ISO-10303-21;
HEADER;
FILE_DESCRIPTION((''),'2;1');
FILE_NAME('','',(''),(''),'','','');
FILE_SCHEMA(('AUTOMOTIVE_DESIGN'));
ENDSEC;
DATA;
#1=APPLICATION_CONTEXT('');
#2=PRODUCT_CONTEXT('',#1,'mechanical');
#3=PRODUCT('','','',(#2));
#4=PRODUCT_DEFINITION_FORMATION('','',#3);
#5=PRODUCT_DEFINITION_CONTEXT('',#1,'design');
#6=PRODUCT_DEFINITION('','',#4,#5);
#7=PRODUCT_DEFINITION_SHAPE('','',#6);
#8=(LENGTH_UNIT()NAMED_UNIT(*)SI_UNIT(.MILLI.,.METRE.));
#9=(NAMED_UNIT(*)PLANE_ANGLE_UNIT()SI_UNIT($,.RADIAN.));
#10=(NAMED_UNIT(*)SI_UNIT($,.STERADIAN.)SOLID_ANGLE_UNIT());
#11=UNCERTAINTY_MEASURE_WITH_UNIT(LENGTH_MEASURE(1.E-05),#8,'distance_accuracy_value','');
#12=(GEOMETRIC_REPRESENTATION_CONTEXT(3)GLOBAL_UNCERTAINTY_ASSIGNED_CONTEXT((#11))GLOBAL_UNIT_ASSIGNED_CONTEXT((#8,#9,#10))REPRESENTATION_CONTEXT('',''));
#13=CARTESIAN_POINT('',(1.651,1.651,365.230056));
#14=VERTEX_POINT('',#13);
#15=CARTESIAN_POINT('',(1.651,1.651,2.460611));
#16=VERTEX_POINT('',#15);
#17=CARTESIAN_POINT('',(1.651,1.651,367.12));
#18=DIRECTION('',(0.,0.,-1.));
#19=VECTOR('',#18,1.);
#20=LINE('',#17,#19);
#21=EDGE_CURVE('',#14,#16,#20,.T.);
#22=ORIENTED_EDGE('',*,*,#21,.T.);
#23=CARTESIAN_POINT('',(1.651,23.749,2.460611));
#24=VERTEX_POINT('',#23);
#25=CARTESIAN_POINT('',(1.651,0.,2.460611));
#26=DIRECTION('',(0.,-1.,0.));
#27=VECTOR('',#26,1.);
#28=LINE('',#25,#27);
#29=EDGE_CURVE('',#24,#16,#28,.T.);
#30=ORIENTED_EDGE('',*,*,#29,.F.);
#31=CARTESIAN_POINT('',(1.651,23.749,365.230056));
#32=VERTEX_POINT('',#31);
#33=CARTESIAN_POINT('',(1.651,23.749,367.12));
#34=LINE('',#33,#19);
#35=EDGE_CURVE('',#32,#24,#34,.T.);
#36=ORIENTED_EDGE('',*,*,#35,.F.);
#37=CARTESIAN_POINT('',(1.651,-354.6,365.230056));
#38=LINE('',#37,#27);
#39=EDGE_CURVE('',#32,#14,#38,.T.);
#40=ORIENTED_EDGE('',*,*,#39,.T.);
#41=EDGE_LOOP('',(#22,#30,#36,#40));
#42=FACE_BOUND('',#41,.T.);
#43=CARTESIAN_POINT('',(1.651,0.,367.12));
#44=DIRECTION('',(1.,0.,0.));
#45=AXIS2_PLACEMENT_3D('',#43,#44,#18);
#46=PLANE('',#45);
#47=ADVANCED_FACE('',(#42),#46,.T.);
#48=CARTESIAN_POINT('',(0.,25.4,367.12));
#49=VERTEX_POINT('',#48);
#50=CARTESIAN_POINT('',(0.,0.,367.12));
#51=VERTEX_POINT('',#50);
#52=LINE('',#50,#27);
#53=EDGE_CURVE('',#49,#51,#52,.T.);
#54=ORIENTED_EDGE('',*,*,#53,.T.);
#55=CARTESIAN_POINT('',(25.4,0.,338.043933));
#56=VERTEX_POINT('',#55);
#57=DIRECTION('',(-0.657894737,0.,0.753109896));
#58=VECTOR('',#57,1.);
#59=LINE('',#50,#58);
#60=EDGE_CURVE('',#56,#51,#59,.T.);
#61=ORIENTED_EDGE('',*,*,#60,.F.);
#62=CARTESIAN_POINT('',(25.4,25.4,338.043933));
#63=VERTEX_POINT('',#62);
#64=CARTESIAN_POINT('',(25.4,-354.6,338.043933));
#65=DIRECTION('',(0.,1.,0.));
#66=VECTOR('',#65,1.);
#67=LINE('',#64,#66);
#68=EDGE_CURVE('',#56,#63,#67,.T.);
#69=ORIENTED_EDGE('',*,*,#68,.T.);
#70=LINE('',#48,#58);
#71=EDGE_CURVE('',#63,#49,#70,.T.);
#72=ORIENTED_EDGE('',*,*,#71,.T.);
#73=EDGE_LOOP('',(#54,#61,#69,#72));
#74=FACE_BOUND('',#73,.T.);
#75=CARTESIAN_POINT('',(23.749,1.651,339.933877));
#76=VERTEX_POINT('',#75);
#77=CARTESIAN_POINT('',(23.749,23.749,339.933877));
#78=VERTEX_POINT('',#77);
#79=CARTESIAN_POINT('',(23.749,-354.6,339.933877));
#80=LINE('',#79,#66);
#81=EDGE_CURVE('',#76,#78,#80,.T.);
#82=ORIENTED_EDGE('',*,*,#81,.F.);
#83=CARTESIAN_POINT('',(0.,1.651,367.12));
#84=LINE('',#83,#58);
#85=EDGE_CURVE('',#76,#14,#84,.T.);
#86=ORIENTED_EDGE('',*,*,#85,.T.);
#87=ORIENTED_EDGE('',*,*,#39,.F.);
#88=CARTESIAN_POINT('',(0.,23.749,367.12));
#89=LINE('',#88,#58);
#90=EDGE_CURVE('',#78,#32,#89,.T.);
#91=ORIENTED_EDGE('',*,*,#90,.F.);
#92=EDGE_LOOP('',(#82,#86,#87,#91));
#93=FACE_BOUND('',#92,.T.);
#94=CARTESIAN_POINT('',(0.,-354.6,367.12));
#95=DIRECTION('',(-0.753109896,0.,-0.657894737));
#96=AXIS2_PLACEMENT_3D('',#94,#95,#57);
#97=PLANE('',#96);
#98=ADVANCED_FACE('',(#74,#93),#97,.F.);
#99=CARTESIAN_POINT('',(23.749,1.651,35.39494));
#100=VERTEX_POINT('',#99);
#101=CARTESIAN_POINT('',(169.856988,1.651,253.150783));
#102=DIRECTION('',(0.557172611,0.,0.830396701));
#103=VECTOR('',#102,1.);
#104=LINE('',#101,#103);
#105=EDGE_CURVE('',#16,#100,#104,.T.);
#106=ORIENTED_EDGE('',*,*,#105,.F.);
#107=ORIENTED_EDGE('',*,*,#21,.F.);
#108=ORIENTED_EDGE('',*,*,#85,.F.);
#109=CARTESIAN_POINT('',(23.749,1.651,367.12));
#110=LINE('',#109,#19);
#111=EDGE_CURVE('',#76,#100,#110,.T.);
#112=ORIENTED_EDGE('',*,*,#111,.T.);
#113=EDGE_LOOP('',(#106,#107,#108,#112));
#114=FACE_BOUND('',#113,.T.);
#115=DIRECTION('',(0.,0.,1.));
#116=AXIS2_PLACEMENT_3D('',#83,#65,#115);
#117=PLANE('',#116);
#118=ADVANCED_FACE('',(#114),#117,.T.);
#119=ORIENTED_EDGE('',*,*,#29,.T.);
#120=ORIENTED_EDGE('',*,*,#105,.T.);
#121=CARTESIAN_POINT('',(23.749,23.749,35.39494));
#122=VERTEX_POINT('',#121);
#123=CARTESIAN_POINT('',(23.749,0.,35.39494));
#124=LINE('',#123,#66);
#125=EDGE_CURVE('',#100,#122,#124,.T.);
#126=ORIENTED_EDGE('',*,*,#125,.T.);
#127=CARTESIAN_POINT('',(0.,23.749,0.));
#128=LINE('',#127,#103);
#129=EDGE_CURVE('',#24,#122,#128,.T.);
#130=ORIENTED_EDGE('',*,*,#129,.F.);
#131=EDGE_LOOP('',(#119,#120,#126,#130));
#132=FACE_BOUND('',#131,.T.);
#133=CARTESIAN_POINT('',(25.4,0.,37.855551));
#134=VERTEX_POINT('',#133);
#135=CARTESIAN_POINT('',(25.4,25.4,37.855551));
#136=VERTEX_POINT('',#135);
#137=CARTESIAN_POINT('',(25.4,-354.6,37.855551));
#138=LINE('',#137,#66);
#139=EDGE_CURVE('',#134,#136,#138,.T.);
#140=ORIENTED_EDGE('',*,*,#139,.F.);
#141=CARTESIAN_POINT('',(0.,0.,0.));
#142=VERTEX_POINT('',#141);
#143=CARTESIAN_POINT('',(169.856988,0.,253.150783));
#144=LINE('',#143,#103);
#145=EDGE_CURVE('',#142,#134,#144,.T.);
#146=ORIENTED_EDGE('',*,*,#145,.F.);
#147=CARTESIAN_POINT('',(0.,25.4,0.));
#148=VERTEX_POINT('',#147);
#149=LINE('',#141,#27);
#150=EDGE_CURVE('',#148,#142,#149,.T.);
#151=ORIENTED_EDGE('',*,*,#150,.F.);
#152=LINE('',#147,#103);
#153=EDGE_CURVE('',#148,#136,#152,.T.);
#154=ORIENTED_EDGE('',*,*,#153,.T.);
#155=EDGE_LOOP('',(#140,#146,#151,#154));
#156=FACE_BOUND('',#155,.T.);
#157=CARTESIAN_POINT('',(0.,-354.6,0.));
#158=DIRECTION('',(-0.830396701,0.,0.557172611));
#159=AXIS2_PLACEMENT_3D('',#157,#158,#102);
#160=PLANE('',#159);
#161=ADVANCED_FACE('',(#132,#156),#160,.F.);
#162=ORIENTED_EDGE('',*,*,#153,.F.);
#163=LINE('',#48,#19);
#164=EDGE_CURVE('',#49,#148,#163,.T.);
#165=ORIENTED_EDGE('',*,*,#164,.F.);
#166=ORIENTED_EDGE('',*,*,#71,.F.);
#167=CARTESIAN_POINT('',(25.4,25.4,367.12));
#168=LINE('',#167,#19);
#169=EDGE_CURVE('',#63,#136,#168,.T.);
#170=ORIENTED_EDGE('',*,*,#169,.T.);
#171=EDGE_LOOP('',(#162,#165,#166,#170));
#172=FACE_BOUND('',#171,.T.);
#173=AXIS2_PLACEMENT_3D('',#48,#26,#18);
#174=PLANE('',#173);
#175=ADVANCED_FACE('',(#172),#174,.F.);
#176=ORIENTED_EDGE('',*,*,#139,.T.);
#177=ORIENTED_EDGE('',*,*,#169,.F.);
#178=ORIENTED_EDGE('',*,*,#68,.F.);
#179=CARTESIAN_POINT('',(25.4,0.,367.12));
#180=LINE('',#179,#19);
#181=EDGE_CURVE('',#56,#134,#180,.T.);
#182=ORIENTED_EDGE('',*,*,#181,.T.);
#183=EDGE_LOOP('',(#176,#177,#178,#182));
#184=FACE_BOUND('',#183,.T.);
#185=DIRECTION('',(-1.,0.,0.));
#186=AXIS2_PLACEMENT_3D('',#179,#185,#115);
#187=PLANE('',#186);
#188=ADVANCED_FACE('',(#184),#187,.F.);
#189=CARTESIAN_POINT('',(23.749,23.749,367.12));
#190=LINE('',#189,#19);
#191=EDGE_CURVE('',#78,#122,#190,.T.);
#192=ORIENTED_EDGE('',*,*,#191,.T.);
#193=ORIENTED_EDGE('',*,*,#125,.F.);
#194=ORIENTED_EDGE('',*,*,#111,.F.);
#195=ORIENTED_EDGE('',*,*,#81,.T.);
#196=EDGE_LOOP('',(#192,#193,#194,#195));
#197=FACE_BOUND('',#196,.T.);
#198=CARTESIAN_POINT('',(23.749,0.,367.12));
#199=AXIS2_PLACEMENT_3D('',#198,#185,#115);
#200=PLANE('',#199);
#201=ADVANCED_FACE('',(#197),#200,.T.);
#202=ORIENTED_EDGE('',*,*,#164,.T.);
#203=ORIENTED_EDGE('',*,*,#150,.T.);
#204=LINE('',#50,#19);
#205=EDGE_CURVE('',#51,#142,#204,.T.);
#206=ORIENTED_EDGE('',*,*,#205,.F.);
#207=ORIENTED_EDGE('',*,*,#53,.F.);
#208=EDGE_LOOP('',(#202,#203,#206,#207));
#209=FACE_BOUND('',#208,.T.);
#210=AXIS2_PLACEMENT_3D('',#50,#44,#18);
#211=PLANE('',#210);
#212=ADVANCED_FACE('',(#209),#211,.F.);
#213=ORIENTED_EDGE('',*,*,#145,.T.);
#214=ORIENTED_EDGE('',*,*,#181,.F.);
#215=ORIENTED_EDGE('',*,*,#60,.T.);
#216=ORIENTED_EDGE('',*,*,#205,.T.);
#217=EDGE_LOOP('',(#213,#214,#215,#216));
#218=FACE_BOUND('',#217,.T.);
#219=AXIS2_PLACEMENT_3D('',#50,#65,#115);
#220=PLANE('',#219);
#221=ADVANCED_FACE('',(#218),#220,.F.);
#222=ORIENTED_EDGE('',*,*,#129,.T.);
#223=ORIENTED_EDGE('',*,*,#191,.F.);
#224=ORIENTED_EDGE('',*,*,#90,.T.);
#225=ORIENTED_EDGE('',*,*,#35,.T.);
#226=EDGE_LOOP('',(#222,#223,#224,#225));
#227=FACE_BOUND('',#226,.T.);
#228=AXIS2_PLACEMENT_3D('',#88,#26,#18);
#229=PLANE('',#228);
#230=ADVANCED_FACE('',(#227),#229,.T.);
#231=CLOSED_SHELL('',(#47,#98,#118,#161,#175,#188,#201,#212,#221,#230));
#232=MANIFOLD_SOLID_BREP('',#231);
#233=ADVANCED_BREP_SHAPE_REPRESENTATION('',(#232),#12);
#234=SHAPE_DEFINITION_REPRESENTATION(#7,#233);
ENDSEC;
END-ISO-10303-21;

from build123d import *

# Parameters (mm, degrees)
SKETCH1_W           = 25.4
SKETCH1_H           = 25.4
BOSS_EXTRUDE1_DEPTH = 367.12
CUT_EXTRUDE1_DEPTH  = 380
CUT_EXTRUDE2_DEPTH  = 380
SHELL1_T            = -1.651


with BuildPart() as part:
    # Sketch1 → Boss-Extrude1 (new body)
    with BuildSketch(Plane.XY):
        with Locations((12.7, 12.7)):
            Rectangle(SKETCH1_W, SKETCH1_H)
    extrude(amount=BOSS_EXTRUDE1_DEPTH)

    # Sketch2 → Cut-Extrude1 (cut)
    with BuildSketch(Plane(origin=(0, 25.4, 0), x_dir=(1, 0, 0), z_dir=(0, 1, 0))):
        Polygon((0, 0), (25.4, -37.855551052), (25.4, 0), align=None)
    extrude(amount=-CUT_EXTRUDE1_DEPTH, mode=Mode.SUBTRACT)

    # Sketch3 → Cut-Extrude2 (cut)
    with BuildSketch(Plane(origin=(0, 25.4, 0), x_dir=(1, 0, 0), z_dir=(0, 1, 0))):
        Polygon((0, -367.12), (25.4, -338.043933141), (25.4, -367.12), align=None)
    extrude(amount=-CUT_EXTRUDE2_DEPTH, mode=Mode.SUBTRACT)

    # Shell1
    shell1_openings = [part.faces().sort_by_distance(p)[0] for p in [
        (12.7, 12.7, 18.927775526),
        (12.7, 12.7, 352.58196657),
    ]]
    offset(amount=SHELL1_T, openings=shell1_openings, kind=Kind.INTERSECTION)


solid = part.part
